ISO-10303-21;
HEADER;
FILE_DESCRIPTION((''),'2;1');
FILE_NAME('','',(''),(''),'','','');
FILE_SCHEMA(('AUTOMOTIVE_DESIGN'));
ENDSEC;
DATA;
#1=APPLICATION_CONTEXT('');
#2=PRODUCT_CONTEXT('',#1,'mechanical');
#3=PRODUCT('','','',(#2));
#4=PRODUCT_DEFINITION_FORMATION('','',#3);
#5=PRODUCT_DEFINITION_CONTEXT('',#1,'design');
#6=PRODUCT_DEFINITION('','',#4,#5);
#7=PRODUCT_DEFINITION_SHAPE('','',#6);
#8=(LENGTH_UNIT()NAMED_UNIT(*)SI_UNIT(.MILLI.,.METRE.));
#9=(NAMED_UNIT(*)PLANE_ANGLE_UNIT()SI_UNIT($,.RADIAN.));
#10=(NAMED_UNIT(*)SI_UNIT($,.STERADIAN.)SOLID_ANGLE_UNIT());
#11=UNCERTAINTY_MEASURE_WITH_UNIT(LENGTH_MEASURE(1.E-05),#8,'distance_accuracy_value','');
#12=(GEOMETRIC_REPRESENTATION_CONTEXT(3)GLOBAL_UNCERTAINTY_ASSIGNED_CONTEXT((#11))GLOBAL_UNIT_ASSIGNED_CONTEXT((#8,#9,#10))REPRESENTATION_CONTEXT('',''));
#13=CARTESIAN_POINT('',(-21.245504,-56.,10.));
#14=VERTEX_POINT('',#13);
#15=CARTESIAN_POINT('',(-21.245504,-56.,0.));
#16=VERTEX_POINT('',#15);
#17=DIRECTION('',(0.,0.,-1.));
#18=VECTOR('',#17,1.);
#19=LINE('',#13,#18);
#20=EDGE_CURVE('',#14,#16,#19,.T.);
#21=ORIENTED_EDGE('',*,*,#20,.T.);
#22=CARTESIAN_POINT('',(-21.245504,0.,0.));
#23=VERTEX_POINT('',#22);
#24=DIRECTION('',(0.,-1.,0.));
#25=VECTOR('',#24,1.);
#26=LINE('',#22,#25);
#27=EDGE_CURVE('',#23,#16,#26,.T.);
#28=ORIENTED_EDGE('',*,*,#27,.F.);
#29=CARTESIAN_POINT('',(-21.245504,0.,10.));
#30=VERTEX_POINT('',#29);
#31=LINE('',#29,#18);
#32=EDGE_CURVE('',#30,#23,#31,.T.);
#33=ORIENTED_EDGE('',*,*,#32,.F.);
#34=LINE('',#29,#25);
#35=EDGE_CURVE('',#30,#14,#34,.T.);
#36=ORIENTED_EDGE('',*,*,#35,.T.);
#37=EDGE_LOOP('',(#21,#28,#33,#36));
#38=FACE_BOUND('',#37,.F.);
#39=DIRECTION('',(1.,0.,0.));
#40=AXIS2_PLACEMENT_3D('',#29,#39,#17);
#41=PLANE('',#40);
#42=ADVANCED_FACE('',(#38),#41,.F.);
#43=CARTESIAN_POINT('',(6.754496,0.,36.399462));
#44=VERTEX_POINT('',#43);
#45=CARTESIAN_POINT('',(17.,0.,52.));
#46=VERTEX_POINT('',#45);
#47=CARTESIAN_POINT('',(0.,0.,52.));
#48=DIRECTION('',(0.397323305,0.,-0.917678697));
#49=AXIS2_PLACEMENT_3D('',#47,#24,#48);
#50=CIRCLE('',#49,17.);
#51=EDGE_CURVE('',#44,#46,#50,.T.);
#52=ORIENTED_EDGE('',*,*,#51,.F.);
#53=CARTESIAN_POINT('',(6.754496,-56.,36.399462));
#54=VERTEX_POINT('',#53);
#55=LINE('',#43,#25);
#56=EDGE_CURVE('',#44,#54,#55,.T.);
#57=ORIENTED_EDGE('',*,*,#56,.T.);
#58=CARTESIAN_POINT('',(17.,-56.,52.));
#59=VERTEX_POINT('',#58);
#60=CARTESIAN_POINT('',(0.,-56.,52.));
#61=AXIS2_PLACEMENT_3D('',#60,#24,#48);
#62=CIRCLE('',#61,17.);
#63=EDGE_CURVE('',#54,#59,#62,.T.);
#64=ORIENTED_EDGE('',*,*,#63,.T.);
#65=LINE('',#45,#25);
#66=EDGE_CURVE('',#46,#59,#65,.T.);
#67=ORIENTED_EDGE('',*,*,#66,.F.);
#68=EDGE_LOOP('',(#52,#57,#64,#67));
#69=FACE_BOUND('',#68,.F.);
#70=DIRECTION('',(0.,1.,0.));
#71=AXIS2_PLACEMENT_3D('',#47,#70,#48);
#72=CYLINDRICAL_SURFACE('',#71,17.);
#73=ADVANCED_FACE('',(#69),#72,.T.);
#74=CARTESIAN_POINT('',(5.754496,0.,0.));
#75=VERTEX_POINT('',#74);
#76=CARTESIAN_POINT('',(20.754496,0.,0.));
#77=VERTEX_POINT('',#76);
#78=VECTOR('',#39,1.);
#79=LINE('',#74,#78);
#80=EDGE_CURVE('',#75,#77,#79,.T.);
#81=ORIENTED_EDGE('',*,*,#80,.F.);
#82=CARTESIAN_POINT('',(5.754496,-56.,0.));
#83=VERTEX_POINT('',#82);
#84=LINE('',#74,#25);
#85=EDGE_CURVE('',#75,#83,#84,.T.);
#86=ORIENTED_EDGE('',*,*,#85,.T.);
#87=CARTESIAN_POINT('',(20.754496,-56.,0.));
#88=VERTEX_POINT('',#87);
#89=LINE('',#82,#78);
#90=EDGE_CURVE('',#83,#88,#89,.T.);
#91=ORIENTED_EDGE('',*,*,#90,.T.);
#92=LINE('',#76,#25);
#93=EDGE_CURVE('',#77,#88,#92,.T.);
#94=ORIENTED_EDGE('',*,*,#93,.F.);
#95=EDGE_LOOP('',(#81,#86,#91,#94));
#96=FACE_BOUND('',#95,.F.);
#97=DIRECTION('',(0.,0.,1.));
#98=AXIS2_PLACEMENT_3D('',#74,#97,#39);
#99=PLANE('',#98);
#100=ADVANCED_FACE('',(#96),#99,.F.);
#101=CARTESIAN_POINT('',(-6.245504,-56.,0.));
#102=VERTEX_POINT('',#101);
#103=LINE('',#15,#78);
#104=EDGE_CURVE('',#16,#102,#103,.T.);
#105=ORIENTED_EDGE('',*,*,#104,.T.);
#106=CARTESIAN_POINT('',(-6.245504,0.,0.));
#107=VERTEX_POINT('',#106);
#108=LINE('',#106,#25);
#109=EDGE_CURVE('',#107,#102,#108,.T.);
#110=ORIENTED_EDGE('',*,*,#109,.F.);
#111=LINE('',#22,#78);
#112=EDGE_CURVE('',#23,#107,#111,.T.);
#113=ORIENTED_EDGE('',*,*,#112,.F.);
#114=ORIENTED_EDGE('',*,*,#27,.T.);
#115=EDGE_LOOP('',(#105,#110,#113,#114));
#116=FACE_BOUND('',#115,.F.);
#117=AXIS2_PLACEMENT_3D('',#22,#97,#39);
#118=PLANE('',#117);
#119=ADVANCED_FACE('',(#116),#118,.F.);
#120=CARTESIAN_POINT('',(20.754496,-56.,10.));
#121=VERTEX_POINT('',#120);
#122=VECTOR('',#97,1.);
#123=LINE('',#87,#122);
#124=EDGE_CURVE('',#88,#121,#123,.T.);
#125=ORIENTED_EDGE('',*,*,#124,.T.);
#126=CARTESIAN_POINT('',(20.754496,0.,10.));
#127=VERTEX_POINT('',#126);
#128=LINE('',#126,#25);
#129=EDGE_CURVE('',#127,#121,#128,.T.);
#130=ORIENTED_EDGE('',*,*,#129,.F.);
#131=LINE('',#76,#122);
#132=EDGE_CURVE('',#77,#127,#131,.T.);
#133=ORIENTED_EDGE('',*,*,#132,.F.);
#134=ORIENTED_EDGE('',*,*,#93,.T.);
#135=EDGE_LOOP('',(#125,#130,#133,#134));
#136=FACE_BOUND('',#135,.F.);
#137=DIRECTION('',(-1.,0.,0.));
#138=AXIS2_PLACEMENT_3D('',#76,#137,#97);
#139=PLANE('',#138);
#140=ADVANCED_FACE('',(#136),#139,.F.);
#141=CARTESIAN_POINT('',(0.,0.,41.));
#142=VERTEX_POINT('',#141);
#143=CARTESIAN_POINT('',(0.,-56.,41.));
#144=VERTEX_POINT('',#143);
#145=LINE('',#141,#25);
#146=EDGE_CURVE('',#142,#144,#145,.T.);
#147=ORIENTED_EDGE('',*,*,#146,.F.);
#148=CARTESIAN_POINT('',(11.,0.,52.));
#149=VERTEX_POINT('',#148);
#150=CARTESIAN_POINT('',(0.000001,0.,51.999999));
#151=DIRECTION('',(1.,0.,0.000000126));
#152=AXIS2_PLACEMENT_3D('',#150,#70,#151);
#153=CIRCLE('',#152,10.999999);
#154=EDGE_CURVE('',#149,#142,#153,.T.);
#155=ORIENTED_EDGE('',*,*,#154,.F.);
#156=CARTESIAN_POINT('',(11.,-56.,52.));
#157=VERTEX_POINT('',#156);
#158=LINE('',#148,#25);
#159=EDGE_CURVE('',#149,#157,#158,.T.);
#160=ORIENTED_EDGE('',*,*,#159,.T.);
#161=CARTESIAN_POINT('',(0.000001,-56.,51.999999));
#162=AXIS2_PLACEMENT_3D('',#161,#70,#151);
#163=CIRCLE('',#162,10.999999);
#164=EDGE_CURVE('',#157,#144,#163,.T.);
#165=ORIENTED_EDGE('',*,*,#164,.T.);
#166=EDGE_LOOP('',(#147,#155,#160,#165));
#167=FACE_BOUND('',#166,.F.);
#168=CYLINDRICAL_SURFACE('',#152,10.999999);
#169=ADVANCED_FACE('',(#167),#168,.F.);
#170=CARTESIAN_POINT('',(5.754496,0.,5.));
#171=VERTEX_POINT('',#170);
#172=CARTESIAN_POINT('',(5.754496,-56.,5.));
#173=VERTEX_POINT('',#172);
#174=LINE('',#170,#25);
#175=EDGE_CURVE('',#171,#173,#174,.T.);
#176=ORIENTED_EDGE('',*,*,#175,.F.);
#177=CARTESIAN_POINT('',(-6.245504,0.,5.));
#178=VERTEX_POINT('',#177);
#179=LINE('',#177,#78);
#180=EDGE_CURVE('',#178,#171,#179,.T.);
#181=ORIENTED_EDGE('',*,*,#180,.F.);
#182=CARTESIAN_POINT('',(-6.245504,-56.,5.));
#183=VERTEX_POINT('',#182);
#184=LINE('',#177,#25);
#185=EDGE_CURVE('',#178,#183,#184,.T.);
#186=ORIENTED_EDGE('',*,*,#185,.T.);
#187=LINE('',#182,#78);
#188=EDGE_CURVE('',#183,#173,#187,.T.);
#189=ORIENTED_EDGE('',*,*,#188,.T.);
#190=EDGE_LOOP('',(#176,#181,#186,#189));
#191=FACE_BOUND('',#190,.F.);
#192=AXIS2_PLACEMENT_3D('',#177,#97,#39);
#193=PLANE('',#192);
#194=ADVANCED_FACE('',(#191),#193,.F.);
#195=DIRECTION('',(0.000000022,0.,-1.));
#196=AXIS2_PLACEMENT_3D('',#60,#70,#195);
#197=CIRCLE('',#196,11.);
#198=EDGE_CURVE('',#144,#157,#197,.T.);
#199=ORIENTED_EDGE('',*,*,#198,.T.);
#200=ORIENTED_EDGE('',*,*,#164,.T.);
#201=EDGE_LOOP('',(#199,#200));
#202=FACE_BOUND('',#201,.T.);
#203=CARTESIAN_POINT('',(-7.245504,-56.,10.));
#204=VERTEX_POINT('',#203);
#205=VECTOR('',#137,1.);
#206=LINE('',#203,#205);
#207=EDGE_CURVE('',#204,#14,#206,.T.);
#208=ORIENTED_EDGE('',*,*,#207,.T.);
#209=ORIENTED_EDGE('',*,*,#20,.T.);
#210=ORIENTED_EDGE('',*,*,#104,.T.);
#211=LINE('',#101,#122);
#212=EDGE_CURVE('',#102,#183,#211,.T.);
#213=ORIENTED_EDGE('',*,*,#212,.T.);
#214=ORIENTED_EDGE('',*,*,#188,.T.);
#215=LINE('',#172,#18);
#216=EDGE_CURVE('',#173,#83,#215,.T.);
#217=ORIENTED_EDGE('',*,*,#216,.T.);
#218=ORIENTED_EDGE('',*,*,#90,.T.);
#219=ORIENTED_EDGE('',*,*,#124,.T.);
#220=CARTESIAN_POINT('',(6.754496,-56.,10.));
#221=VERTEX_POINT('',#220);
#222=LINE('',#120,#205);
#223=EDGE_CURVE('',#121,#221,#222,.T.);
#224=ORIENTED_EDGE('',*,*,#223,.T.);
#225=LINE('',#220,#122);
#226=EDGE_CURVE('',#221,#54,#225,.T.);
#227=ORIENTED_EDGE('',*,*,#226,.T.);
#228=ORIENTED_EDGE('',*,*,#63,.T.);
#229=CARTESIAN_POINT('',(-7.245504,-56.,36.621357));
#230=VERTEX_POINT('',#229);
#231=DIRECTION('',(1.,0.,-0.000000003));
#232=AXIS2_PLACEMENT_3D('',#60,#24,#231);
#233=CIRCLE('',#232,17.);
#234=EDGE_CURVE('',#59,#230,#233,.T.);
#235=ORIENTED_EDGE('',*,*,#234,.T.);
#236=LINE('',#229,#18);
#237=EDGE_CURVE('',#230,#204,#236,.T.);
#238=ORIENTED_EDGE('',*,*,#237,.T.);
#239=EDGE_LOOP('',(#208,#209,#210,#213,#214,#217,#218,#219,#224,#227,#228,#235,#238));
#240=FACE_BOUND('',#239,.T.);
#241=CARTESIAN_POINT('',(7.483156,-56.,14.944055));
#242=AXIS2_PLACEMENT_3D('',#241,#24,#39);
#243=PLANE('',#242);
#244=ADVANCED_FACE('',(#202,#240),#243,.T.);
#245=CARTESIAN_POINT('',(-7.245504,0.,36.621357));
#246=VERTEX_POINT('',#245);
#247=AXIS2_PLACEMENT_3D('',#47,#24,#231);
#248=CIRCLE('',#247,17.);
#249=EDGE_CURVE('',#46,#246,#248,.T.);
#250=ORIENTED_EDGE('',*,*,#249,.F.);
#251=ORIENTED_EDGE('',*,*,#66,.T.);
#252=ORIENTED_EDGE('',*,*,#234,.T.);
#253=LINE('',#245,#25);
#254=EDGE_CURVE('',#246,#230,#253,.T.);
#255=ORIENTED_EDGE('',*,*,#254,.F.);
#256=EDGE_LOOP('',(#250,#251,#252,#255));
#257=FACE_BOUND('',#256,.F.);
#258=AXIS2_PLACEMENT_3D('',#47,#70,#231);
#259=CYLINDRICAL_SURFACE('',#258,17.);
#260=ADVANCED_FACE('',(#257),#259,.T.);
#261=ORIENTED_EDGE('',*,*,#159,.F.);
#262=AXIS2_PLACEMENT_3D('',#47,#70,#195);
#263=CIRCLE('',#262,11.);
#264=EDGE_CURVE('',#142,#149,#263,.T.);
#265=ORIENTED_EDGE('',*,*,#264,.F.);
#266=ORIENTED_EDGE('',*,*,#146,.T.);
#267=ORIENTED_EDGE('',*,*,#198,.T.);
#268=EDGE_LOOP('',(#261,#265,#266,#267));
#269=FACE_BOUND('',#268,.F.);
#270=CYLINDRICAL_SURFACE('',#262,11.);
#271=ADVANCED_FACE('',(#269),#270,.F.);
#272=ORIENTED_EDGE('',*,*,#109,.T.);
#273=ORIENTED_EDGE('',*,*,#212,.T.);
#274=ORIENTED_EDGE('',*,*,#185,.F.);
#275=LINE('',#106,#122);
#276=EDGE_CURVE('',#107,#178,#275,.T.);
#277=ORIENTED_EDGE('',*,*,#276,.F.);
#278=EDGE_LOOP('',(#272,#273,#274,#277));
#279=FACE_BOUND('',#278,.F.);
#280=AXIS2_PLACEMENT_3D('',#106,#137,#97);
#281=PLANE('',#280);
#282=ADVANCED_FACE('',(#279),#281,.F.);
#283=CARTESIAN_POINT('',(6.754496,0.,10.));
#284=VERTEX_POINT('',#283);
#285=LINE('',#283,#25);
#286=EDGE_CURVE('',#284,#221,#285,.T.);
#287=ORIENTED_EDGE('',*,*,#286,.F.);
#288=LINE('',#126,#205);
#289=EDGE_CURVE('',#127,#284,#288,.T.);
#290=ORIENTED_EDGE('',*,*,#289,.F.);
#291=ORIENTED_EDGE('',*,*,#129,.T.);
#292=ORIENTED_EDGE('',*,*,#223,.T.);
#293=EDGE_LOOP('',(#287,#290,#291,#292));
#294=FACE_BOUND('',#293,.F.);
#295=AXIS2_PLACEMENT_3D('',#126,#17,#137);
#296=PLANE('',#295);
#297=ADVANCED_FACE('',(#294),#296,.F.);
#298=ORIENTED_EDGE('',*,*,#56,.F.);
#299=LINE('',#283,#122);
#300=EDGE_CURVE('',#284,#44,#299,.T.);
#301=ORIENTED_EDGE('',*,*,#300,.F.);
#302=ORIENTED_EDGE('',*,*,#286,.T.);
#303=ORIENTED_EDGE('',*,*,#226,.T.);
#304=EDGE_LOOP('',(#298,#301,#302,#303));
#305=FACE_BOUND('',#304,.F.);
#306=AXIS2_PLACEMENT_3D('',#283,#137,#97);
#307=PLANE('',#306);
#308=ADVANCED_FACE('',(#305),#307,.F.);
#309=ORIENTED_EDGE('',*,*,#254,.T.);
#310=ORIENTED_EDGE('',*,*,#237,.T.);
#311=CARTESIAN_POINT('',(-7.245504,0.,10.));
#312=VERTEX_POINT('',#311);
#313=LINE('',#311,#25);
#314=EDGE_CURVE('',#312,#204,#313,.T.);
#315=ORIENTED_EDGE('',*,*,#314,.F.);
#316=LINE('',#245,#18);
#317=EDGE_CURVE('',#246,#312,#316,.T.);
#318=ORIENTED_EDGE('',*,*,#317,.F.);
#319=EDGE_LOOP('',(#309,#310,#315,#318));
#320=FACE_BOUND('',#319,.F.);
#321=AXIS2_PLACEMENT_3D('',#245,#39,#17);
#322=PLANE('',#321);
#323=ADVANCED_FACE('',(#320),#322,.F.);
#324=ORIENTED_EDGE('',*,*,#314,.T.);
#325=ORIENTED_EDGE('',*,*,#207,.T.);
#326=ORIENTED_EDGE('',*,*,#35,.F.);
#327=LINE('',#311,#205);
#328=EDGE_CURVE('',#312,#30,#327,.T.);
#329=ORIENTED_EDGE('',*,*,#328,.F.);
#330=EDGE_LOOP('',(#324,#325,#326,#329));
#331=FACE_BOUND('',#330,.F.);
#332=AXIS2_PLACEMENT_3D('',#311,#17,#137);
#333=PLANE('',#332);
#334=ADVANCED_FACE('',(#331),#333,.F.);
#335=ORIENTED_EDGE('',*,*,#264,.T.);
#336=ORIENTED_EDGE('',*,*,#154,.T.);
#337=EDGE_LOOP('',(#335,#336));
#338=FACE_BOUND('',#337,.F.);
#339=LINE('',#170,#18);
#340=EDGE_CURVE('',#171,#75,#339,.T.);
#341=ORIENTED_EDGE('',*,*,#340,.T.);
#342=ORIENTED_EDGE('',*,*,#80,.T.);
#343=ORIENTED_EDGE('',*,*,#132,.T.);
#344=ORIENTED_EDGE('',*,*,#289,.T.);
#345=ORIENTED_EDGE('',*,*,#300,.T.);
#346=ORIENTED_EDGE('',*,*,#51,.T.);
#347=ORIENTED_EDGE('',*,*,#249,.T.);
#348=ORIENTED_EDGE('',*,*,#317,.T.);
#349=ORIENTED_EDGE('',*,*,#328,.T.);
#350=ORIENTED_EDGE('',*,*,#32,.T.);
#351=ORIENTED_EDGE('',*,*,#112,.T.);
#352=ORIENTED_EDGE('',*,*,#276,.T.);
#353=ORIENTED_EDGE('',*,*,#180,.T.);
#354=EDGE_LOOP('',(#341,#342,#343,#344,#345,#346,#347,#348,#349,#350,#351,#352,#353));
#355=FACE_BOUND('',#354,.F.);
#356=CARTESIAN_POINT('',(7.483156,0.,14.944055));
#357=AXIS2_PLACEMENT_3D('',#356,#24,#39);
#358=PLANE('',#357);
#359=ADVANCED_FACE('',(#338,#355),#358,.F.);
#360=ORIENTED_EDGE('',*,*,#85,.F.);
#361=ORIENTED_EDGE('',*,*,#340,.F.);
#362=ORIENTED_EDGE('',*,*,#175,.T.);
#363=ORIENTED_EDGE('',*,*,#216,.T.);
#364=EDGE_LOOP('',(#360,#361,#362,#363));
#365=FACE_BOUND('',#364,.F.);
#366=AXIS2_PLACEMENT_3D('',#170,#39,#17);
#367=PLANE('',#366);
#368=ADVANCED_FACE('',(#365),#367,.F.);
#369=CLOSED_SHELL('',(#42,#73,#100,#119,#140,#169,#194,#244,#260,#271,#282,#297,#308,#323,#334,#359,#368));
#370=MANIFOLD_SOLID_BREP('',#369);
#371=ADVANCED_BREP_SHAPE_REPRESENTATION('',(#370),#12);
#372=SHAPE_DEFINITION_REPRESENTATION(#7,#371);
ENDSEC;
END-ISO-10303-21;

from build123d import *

# Parameters (mm, degrees)
F1_DEPTH = 56


with BuildPart() as f1:
    # F0 (on Front) → F1 (new body)
    with BuildSketch(Plane.XZ):
        with BuildLine():
            Line((0, 35), (0, 5))
            Line((0, 5), (5.754496, 5))
            Line((5.754496, 5), (5.754496, 0))
            Line((5.754496, 0), (20.754496, 0))
            Line((20.754496, 0), (20.754496, 10))
            Line((20.754496, 10), (6.754496, 10))
            Line((6.754496, 10), (6.754496, 36.399462))
            ThreePointArc((6.754496, 36.399462), (3.448975, 35.353542), (0, 35))
        make_face()
        with BuildLine():
            Line((-21.245504, 0), (-6.245504, 0))
            Line((-6.245504, 0), (-6.245504, 5))
            Line((-6.245504, 5), (0, 5))
            Line((0, 5), (0, 35))
            ThreePointArc((0, 35), (-3.712349, 35.41029), (-7.245504, 36.621357))
            Line((-7.245504, 36.621357), (-7.245504, 10))
            Line((-7.245504, 10), (-21.245504, 10))
            Line((-21.245504, 10), (-21.245504, 0))
        make_face()
        with BuildLine():
            ThreePointArc((-7.245504, 36.621357), (-3.712349, 35.41029), (0, 35))
            ThreePointArc((0, 35), (3.448975, 35.353542), (6.754496, 36.399462))
            ThreePointArc((6.754496, 36.399462), (14.209617, 42.66797), (17, 52))
            ThreePointArc((17, 52), (-9.105669, 66.355723), (-7.245504, 36.621357))
        make_face()
        with BuildLine():
            ThreePointArc((11, 52), (7.778175, 44.221825), (0, 41))
            ThreePointArc((0, 41), (-7.778175, 59.778175), (11, 52))
        make_face(mode=Mode.SUBTRACT)
    extrude(amount=F1_DEPTH)


solid = f1.part
